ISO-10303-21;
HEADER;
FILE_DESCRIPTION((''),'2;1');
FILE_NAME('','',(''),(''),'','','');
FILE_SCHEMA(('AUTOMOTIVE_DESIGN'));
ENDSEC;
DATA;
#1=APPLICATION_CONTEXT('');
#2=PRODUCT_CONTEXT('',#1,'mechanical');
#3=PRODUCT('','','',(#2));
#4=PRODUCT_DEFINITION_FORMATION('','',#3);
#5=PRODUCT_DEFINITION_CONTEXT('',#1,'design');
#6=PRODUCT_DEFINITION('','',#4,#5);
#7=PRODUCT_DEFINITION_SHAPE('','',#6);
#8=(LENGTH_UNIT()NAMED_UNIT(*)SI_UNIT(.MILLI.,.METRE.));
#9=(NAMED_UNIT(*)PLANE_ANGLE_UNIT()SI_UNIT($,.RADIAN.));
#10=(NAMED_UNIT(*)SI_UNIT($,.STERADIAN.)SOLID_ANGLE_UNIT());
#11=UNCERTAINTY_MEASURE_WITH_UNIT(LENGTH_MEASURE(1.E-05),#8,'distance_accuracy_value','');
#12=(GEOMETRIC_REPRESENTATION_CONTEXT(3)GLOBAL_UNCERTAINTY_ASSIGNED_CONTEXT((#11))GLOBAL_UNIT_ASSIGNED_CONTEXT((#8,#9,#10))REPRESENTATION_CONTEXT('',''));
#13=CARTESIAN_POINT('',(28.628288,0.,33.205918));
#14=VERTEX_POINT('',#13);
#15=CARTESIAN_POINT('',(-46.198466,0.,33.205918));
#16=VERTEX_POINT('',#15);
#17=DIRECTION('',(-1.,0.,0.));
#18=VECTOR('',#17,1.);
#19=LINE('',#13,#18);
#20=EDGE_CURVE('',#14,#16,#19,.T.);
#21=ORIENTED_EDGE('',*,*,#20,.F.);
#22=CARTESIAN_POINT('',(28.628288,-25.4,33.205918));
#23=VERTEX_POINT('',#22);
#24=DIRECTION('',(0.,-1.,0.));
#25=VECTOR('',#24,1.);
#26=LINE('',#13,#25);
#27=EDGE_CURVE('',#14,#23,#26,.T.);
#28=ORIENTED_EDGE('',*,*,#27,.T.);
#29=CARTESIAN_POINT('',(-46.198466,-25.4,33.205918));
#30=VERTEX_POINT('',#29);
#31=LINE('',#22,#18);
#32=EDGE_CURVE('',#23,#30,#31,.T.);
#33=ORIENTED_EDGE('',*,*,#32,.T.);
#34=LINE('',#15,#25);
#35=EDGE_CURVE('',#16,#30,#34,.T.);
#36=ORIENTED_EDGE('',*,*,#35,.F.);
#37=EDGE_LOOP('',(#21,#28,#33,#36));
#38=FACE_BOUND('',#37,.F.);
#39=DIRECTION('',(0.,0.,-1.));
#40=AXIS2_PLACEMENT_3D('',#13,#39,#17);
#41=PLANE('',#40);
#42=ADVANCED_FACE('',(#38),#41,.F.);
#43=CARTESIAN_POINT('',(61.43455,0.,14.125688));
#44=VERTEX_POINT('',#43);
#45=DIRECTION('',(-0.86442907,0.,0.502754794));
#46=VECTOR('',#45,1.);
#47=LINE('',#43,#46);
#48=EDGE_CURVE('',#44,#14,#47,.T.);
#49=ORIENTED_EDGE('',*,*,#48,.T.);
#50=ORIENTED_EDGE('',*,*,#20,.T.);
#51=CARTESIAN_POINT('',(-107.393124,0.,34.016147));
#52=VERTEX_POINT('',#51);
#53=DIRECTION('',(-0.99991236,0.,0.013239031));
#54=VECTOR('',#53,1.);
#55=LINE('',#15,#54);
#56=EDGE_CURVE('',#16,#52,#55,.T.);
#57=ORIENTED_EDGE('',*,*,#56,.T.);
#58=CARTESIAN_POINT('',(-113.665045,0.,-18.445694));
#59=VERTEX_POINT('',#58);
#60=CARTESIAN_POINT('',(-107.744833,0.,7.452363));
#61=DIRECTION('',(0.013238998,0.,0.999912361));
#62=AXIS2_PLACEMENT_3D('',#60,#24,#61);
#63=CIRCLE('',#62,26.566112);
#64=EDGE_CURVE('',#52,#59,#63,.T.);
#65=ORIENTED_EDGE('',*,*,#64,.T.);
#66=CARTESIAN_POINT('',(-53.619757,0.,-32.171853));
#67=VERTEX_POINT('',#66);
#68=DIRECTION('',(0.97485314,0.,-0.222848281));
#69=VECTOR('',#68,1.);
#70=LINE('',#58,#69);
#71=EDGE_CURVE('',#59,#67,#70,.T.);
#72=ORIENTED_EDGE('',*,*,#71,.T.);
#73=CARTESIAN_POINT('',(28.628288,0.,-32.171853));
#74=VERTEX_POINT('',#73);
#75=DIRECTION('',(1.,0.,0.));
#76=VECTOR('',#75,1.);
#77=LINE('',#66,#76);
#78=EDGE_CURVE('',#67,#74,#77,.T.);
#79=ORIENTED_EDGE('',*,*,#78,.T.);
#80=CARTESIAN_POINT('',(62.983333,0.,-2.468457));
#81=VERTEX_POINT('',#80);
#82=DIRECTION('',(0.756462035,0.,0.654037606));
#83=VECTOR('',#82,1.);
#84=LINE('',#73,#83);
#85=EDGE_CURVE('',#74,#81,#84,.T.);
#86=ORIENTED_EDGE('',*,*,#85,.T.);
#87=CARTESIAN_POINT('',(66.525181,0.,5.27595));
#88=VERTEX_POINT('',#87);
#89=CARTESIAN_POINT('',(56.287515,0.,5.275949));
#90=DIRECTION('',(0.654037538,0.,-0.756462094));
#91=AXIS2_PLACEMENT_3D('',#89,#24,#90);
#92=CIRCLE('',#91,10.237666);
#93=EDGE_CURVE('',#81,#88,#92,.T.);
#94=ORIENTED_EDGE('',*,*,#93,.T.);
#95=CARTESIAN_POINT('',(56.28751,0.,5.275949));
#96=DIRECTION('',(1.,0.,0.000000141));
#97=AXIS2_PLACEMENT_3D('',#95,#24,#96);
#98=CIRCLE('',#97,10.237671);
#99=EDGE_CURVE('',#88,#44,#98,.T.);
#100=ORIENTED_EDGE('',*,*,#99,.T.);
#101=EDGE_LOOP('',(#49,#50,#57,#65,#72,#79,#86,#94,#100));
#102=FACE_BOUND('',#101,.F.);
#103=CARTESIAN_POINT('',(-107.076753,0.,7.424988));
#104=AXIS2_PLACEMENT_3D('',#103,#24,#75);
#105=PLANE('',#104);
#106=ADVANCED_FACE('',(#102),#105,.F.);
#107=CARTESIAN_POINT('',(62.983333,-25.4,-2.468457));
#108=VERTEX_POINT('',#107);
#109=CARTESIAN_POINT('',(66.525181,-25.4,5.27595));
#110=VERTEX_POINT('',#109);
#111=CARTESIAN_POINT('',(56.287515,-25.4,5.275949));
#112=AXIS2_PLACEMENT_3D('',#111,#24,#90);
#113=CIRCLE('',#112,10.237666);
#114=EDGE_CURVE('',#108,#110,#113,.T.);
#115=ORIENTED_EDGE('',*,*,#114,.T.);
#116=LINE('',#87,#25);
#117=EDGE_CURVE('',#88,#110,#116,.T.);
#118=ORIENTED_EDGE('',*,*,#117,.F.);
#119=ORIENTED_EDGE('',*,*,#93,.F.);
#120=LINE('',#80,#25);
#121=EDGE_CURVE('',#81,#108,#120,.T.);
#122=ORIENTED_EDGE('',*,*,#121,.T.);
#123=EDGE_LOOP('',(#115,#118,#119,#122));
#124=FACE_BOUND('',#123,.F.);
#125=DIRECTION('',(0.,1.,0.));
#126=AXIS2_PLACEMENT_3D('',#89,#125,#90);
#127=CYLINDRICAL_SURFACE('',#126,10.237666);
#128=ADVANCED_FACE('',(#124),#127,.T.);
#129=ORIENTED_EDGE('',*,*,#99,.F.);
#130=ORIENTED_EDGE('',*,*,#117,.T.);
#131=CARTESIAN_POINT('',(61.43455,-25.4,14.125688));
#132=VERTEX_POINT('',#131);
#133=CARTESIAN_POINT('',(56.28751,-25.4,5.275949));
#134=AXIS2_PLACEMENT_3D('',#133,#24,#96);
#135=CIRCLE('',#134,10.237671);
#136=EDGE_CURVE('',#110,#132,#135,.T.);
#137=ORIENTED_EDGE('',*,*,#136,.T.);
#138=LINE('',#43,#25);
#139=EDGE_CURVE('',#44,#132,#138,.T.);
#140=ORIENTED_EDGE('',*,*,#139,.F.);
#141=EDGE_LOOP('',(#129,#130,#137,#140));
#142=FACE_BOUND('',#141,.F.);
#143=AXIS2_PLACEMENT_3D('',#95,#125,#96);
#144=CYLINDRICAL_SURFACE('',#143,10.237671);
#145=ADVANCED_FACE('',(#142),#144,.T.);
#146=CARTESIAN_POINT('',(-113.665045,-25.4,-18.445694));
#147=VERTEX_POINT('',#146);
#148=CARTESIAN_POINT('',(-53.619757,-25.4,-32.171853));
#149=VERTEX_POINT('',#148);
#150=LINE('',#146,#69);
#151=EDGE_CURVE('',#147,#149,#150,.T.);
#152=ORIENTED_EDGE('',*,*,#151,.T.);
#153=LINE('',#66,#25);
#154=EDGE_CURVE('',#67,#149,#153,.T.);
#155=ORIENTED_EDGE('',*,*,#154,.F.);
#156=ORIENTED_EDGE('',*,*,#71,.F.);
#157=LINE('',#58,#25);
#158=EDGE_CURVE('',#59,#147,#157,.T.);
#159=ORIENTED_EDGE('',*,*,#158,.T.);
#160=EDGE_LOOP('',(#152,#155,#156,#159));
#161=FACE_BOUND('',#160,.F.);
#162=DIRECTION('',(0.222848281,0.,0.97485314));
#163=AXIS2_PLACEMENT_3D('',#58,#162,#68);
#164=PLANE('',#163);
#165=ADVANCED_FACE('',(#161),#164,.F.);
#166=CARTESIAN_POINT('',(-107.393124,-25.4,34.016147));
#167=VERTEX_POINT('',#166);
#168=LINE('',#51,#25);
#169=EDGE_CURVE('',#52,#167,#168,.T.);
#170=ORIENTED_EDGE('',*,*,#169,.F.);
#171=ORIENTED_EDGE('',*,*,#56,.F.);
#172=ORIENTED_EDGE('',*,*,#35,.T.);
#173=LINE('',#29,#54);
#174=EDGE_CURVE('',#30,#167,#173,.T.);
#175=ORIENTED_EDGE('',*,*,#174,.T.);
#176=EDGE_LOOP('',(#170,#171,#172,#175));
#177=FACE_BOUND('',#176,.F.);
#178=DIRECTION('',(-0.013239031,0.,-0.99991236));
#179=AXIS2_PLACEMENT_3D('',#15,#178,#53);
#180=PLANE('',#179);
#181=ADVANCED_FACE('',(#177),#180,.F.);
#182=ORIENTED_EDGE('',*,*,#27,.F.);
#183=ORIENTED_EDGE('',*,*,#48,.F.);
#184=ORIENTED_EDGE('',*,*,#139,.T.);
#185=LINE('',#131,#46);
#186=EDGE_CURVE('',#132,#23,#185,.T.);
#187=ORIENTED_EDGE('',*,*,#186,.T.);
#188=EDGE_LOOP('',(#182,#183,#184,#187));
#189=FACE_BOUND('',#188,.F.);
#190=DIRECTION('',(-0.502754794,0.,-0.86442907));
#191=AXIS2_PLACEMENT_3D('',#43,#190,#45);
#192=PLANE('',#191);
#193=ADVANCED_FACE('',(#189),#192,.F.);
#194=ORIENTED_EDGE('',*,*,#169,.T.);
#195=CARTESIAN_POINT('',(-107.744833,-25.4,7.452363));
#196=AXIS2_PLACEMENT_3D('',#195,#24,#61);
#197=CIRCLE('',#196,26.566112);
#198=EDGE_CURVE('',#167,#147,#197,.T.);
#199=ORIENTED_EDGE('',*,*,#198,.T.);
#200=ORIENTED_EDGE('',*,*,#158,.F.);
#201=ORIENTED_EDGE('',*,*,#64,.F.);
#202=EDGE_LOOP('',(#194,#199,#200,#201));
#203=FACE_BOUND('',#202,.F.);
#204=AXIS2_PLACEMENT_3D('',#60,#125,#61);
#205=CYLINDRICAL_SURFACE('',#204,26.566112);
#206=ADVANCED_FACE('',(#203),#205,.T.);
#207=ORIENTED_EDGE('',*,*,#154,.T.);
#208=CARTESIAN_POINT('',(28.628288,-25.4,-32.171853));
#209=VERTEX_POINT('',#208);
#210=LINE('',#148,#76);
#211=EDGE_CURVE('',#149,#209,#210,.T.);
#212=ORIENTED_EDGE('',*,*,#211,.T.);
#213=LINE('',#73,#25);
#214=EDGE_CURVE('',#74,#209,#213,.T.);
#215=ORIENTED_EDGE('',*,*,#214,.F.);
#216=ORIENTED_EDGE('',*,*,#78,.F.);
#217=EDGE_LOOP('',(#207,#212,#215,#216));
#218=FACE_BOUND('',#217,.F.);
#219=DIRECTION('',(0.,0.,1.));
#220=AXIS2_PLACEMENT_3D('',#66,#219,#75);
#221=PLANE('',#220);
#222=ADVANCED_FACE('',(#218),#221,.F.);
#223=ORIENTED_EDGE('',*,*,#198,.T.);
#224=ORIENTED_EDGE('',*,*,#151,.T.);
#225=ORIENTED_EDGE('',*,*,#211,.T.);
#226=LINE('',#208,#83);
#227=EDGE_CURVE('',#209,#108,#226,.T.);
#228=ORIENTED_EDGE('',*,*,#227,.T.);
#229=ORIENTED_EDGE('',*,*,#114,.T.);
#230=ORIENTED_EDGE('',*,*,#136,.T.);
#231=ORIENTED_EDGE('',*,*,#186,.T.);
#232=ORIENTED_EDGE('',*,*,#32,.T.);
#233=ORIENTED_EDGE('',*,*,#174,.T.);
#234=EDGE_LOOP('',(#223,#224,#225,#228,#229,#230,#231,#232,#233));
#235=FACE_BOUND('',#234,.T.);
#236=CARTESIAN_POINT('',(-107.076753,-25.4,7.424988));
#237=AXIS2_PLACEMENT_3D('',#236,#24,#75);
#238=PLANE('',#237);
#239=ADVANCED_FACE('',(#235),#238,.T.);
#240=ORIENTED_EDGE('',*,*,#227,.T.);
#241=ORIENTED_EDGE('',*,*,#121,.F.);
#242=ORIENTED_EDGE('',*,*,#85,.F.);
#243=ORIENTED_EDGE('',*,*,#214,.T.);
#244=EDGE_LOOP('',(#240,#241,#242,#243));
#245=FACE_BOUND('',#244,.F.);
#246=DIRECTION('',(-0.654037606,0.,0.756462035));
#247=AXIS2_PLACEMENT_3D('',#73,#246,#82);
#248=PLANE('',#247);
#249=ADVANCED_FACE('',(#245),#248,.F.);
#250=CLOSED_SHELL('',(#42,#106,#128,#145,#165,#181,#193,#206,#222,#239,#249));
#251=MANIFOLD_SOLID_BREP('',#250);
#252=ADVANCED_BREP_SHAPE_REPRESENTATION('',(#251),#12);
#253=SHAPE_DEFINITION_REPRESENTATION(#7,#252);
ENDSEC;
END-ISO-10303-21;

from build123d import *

# Parameters (mm, degrees)
F1_DEPTH = 25.4


with BuildPart() as f1:
    # F0 (on Front) → F1 (new body)
    with BuildSketch(Plane.XZ):
        with BuildLine():
            ThreePointArc((-113.665045, -18.445694), (-91.184621, -13.32064), (-81.178721, 7.452363))
            ThreePointArc((-81.178721, 7.452363), (-88.835816, 26.112679), (-107.393124, 34.016147))
            ThreePointArc((-107.393124, 34.016147), (-134.123105, 10.60594), (-113.665045, -18.445694))
        make_face()
        with BuildLine():
            ThreePointArc((-107.393124, 34.016147), (-88.835816, 26.112679), (-81.178721, 7.452363))
            ThreePointArc((-81.178721, 7.452363), (-91.184621, -13.32064), (-113.665045, -18.445694))
            Line((-113.665045, -18.445694), (-53.619757, -32.171853))
            Line((-53.619757, -32.171853), (-53.619757, 33.205918))
            Line((-53.619757, 33.205918), (-46.198466, 33.205918))
            Line((-46.198466, 33.205918), (-107.393124, 34.016147))
        make_face()
        Polygon((28.628288, 33.205918), (-46.198466, 33.205918), (-53.619757, 33.205918), (-53.619757, -32.171853), (28.628288, -32.171853), align=None)
        with BuildLine():
            Line((61.43455, 14.125688), (28.628288, 33.205918))
            Line((28.628288, 33.205918), (28.628288, -32.171853))
            Line((28.628288, -32.171853), (62.983333, -2.468457))
            ThreePointArc((62.983333, -2.468457), (46.094147, 4.324571), (61.43455, 14.125688))
        make_face()
        with BuildLine():
            ThreePointArc((66.525181, 5.27595), (65.161731, 10.380663), (61.43455, 14.125688))
            ThreePointArc((61.43455, 14.125688), (46.094147, 4.324571), (62.983333, -2.468457))
            ThreePointArc((62.983333, -2.468457), (65.597707, 1.018), (66.525181, 5.27595))
        make_face()
    extrude(amount=F1_DEPTH)


solid = f1.part
